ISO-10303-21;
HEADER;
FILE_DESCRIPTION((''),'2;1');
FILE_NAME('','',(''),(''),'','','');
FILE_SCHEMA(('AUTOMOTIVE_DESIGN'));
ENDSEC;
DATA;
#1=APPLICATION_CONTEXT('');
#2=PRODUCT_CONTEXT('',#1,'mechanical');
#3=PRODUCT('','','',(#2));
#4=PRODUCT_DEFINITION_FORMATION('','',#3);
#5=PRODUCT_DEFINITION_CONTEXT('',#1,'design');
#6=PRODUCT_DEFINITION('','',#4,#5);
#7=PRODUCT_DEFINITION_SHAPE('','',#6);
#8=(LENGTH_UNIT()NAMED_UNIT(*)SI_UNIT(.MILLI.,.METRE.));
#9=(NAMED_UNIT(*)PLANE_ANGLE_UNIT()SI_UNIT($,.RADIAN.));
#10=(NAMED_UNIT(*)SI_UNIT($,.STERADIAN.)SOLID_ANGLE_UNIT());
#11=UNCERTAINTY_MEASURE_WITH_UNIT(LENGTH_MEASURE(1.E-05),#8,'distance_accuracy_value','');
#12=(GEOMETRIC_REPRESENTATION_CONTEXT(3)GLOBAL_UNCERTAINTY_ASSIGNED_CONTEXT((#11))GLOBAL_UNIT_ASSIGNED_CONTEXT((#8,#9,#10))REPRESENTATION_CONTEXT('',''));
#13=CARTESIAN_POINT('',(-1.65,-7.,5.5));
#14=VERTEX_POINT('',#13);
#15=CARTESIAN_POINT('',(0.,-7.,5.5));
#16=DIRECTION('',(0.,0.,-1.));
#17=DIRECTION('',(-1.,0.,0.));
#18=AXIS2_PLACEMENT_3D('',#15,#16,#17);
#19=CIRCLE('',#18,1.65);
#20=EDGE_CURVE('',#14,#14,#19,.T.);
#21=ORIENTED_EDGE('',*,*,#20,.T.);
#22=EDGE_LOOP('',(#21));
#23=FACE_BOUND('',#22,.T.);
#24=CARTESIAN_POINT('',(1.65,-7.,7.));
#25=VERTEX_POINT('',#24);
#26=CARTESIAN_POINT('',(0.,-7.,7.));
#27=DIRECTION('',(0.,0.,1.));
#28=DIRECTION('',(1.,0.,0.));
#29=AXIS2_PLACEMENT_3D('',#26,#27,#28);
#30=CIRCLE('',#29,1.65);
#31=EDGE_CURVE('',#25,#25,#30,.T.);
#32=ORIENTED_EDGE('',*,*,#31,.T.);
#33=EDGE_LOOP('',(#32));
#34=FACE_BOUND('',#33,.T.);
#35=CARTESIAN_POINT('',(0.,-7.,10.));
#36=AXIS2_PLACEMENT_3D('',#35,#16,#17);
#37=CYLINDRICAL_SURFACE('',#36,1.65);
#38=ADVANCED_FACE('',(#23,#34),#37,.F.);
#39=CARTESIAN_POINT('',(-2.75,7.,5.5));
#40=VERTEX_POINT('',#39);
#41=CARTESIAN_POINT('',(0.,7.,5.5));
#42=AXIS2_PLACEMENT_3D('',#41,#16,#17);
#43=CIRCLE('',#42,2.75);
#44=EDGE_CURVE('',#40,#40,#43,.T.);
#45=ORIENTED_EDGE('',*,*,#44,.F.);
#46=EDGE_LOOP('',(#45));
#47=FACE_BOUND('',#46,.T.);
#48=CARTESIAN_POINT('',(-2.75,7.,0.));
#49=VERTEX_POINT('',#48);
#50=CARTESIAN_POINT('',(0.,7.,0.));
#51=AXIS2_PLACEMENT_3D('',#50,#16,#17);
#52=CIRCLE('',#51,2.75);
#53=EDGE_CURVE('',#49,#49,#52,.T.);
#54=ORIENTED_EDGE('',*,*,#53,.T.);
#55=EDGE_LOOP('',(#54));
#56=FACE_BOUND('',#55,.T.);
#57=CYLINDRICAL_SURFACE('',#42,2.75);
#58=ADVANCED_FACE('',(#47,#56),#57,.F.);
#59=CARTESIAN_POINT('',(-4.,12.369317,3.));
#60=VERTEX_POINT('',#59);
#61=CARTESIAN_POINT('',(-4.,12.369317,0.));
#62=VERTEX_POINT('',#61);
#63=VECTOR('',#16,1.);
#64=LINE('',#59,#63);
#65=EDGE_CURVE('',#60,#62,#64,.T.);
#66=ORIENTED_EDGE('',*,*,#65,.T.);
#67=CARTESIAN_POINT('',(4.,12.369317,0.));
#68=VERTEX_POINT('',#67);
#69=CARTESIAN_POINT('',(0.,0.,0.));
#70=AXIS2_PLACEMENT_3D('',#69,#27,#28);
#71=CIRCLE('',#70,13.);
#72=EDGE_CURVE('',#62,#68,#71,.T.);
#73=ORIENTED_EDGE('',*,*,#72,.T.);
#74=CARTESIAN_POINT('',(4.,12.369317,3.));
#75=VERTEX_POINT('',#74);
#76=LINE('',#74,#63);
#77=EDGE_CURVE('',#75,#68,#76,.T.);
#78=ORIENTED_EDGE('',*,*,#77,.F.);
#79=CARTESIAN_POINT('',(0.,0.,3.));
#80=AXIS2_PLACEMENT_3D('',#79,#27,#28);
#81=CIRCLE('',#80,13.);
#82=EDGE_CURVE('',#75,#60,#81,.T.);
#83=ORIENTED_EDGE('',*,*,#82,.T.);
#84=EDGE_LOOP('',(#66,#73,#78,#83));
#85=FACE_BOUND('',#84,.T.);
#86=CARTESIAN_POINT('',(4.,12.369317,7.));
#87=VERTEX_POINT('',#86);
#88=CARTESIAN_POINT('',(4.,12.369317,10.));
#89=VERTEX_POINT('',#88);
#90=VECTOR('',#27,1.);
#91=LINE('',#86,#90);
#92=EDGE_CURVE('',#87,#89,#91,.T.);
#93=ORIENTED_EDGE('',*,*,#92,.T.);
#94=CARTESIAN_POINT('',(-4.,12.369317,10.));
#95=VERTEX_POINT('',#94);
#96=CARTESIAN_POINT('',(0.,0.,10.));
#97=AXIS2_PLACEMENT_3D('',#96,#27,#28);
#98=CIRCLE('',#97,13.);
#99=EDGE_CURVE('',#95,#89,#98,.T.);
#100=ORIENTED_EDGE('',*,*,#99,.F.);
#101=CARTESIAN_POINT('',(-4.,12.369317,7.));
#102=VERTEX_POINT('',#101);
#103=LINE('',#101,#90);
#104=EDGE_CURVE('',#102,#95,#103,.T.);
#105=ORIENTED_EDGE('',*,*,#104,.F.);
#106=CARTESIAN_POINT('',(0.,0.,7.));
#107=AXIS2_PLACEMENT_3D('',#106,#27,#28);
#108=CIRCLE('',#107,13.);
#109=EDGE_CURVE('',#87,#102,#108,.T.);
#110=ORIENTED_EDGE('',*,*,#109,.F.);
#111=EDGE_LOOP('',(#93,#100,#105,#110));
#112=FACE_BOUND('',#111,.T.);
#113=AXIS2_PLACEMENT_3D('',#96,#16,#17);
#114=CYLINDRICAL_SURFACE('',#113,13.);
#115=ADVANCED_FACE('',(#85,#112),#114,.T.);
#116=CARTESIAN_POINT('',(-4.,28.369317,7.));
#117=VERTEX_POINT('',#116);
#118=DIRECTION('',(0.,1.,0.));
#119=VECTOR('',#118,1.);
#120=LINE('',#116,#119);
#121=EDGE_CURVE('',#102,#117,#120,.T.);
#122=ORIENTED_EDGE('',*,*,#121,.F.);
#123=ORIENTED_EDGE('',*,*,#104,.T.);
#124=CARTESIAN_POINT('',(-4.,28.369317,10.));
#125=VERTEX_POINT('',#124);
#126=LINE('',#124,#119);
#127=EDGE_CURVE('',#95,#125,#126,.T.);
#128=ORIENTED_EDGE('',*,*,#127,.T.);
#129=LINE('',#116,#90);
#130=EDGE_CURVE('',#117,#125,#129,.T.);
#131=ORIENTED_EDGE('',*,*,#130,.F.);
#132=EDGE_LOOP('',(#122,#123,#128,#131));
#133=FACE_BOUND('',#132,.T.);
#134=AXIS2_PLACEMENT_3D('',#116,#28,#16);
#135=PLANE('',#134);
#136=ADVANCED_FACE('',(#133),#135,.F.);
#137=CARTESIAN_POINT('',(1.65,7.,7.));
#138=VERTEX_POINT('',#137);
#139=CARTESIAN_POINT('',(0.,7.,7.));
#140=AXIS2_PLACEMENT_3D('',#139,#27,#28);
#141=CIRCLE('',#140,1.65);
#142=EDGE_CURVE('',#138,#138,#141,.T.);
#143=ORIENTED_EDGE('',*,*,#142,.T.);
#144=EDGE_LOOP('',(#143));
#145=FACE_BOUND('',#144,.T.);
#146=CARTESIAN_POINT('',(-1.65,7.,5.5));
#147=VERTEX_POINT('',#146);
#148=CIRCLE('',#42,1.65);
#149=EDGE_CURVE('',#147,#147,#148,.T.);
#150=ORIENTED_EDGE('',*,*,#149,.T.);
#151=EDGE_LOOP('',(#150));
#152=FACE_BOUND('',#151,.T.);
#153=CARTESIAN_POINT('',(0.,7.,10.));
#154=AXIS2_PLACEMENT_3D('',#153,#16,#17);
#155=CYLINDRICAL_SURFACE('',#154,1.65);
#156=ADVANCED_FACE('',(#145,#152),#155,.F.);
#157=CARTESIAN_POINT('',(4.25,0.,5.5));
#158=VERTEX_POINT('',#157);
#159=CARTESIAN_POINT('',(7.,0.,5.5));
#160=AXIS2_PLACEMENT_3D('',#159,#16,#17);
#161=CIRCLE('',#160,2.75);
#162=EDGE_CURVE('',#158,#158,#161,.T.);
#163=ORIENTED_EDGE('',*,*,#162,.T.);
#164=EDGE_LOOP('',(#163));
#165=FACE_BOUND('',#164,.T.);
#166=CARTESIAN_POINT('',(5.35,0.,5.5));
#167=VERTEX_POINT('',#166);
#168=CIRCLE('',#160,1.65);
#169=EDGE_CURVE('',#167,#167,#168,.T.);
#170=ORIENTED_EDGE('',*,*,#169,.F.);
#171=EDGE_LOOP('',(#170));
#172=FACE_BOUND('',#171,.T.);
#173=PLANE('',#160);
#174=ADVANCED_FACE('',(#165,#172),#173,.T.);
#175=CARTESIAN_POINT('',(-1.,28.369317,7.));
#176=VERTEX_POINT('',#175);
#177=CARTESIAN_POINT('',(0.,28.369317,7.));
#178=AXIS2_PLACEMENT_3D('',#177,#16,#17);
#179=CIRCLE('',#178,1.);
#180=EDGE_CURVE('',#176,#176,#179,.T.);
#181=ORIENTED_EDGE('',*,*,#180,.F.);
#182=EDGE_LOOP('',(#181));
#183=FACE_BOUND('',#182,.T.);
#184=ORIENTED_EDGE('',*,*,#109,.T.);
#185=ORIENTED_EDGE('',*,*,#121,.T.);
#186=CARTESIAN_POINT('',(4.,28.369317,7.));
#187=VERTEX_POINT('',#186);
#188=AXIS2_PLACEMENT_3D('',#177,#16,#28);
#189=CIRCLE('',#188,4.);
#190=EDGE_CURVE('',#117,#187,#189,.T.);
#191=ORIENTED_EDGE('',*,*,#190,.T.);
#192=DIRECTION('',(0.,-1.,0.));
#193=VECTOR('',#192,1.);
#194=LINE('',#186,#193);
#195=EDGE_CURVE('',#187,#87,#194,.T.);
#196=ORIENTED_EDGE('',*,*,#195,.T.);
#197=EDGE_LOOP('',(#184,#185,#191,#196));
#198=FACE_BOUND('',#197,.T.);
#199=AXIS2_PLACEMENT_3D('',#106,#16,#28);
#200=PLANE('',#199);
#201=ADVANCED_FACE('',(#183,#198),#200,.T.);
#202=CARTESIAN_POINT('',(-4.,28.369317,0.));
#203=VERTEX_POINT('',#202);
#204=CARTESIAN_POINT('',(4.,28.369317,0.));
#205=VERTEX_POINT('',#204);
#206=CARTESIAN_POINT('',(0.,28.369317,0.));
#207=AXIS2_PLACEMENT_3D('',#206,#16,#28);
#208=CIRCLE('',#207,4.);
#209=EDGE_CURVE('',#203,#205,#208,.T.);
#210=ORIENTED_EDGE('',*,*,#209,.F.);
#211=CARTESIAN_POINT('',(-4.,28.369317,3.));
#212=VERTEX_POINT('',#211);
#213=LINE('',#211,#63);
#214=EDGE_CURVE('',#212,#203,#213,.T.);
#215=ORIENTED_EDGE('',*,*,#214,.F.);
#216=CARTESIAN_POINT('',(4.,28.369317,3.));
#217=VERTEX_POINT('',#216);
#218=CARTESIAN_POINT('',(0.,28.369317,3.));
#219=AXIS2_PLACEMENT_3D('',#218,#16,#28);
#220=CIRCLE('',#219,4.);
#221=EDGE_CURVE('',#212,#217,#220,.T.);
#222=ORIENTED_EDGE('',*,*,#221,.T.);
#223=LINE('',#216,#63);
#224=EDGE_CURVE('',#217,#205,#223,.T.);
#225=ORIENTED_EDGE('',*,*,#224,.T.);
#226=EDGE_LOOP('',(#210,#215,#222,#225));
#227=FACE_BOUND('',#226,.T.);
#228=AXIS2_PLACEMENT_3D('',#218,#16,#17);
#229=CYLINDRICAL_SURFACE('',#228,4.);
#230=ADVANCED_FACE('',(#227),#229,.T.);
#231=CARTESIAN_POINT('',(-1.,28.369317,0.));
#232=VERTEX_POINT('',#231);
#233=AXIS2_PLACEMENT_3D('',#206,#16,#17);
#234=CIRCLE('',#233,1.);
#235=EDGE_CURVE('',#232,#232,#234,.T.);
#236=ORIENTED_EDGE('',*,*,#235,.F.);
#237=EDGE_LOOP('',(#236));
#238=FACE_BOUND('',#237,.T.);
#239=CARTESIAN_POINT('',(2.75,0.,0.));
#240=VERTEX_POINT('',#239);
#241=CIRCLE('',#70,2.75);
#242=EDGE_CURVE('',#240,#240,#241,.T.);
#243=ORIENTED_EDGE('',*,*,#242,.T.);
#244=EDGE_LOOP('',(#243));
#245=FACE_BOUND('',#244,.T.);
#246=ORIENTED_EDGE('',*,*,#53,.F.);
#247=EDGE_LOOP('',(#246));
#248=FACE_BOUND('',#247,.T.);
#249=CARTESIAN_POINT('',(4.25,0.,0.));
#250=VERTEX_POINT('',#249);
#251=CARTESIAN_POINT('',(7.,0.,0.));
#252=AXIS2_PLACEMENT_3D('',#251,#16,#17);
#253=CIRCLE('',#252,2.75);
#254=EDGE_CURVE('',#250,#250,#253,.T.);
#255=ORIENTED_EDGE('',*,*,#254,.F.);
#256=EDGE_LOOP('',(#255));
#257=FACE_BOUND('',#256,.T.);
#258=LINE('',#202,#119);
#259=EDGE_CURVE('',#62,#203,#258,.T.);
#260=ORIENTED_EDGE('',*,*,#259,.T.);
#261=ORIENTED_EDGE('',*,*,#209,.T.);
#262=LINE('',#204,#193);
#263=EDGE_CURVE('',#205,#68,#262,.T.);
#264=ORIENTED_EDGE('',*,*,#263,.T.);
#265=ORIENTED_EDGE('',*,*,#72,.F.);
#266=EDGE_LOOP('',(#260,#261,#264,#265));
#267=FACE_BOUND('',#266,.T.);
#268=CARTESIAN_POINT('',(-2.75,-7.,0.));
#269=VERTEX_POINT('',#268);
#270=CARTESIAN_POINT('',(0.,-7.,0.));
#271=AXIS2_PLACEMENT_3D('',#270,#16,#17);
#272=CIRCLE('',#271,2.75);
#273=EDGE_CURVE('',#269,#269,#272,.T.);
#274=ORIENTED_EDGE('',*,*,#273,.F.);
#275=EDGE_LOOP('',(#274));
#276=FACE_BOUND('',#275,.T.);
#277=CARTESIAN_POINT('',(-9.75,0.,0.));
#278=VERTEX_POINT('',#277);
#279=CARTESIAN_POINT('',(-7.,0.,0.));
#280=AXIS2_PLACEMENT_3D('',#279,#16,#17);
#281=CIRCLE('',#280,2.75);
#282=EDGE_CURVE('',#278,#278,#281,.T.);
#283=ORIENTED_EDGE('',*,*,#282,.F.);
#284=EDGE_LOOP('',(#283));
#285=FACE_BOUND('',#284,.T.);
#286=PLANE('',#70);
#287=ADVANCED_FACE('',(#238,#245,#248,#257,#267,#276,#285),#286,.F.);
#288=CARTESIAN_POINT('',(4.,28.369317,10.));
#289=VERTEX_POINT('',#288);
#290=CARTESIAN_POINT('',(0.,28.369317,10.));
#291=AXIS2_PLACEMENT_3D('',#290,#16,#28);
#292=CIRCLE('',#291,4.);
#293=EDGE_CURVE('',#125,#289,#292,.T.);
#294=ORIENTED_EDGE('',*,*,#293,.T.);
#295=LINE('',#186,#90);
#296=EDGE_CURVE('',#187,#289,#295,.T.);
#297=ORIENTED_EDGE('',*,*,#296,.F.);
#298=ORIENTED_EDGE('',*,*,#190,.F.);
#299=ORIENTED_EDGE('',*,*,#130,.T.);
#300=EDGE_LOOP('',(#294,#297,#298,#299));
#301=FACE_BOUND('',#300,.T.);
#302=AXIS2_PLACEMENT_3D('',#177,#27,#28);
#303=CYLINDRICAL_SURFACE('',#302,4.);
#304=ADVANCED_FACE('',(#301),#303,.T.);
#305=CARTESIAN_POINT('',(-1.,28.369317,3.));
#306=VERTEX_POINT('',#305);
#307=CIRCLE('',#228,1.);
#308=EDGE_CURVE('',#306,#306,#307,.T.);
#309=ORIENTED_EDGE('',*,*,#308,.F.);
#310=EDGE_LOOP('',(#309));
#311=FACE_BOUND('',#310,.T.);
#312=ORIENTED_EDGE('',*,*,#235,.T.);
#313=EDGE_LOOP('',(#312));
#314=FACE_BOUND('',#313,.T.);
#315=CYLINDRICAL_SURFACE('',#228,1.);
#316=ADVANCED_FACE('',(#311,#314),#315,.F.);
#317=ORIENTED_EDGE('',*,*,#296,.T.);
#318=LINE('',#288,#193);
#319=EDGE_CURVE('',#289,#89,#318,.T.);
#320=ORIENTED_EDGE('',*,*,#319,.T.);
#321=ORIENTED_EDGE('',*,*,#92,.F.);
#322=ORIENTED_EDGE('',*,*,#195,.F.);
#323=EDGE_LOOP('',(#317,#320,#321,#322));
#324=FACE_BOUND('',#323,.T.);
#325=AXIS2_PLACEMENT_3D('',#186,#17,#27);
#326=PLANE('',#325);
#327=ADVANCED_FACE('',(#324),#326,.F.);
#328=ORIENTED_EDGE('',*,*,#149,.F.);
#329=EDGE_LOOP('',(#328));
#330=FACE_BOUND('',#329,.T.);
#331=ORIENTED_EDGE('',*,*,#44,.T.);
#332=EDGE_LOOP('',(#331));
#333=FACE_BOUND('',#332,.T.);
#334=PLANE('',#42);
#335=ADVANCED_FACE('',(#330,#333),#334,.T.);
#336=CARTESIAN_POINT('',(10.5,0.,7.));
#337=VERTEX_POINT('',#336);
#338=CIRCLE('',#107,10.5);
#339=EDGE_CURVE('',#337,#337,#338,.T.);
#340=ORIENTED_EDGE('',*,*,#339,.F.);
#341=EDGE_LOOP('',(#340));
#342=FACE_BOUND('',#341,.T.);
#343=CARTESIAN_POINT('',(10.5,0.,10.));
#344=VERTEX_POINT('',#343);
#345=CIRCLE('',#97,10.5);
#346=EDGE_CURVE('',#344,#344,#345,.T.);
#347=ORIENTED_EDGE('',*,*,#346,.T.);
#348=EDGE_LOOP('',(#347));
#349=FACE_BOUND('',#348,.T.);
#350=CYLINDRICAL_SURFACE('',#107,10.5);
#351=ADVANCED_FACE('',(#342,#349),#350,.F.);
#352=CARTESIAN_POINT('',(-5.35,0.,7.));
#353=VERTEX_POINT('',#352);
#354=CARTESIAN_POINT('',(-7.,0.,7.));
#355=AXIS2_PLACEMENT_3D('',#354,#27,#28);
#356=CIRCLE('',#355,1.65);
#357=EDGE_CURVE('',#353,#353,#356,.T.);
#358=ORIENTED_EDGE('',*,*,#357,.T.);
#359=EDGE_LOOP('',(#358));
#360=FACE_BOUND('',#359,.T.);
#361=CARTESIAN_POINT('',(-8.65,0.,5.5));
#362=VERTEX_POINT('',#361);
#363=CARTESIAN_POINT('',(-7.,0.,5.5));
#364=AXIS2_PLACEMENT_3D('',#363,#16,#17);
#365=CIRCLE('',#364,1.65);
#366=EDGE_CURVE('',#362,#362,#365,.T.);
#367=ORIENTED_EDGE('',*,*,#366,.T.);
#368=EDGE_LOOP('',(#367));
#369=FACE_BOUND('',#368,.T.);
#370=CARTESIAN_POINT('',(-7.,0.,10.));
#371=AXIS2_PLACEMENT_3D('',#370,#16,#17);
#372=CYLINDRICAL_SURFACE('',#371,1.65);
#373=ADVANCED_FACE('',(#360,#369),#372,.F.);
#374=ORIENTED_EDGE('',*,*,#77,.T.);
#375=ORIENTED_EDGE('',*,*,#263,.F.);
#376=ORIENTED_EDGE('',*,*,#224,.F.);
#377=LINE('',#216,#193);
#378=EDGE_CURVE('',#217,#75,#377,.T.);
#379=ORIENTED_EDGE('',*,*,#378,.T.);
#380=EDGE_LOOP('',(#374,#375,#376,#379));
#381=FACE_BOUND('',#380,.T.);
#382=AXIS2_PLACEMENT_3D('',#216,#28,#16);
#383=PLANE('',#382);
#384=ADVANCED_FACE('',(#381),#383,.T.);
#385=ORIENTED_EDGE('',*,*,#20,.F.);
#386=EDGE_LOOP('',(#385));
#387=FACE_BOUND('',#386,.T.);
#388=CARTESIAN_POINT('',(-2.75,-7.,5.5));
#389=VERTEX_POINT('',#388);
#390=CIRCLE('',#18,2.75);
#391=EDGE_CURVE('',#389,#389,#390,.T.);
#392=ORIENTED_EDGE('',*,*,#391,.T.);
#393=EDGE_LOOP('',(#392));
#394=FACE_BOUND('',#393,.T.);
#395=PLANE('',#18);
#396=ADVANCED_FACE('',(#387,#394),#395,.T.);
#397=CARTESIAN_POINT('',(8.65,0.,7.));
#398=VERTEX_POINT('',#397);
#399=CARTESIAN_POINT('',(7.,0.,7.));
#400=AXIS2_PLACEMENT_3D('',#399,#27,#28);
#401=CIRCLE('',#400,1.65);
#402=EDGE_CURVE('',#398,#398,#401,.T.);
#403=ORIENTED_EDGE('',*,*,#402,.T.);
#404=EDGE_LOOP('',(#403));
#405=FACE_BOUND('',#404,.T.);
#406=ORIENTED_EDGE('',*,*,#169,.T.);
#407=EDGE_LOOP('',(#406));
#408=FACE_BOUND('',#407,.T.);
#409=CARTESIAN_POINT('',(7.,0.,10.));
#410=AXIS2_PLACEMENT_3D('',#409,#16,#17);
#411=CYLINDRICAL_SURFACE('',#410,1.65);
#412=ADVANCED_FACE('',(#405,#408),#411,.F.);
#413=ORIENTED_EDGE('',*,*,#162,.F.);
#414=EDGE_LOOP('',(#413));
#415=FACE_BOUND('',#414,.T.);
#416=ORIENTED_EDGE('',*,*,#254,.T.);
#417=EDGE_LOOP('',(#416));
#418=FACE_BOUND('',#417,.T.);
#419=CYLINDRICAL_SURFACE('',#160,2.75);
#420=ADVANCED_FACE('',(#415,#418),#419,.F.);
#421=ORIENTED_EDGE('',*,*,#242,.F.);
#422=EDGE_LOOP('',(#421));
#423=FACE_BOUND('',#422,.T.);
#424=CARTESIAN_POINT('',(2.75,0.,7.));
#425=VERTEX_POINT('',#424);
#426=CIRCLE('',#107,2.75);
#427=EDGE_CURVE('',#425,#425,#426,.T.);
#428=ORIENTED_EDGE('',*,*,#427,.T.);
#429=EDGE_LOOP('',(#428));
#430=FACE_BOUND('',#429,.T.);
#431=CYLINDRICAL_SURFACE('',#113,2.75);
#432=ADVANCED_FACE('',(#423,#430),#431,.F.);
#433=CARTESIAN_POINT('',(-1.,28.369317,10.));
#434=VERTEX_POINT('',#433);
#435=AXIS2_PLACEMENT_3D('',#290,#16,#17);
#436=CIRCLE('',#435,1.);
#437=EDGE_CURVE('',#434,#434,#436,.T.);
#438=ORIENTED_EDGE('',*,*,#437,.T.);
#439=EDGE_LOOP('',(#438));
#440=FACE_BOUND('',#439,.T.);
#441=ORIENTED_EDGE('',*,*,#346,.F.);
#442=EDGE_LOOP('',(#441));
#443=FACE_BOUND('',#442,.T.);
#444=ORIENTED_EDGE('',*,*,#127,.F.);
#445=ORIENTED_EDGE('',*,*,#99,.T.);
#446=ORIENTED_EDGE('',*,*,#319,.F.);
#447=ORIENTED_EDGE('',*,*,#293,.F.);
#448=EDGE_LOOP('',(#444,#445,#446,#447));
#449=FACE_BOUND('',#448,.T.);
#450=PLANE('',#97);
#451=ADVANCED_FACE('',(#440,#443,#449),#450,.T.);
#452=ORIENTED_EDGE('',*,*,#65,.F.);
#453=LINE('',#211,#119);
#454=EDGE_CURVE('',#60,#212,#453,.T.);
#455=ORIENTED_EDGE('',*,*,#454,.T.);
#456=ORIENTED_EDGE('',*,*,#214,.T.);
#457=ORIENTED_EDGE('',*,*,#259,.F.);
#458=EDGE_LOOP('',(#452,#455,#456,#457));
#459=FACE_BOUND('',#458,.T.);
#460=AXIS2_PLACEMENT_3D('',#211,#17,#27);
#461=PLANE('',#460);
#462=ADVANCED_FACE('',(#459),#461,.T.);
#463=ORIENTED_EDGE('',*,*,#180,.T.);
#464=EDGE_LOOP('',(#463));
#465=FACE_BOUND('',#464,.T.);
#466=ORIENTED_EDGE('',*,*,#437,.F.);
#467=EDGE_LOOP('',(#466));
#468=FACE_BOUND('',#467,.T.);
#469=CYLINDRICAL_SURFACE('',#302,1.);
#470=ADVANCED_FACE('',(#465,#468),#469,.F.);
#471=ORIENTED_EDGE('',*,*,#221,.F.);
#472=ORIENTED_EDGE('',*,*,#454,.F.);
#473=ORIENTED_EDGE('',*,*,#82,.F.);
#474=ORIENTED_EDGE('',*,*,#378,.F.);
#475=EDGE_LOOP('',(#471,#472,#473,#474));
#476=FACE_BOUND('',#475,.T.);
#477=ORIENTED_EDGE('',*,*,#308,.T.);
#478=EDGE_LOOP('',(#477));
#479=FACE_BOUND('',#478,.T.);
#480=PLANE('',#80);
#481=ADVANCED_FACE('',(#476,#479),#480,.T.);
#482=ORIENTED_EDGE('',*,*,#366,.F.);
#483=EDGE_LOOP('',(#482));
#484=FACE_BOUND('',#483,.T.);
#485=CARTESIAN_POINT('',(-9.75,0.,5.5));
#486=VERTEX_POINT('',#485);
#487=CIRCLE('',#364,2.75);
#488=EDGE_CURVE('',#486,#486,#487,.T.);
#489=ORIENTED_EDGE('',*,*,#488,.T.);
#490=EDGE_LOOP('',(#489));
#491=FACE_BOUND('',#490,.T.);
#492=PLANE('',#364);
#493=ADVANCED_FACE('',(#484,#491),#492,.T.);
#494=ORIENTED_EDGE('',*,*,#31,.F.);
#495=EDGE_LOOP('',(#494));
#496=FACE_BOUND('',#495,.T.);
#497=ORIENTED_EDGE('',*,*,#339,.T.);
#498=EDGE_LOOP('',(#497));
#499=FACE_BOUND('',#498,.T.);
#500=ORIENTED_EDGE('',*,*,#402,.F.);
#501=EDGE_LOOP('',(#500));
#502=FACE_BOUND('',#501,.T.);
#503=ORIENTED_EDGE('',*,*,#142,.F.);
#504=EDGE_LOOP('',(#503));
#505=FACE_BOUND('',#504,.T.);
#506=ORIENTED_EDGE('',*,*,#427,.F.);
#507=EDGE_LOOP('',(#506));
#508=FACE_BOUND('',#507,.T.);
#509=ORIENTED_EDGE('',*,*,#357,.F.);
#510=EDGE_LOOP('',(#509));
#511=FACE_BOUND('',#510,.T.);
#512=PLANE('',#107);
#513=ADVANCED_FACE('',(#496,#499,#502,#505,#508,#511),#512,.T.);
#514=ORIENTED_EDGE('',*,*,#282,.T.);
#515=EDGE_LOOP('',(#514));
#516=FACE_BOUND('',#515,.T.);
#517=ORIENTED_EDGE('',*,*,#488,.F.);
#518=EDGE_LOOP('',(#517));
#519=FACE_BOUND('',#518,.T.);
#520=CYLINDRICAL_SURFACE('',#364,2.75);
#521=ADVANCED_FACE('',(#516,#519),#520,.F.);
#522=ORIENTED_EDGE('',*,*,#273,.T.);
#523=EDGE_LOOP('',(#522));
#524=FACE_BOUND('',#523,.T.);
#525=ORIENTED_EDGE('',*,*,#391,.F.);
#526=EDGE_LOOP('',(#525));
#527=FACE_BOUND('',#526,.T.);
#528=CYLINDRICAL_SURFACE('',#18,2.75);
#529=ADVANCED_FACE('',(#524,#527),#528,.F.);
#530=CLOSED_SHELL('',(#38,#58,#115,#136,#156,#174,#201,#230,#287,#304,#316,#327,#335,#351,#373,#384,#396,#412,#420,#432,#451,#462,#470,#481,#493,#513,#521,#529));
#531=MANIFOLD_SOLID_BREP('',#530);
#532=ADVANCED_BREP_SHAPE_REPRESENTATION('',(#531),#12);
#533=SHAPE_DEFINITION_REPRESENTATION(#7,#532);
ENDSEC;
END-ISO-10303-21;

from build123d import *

# Parameters (mm, degrees)
ESQUISSE1_R             = 13
ESQUISSE1_R_2           = 2.75
ESQUISSE1_R_3           = 1.65
BOSS_EXTRU_1_DEPTH      = 10
ESQUISSE2_R             = 10.5
ENL_V_MAT_EXTRU_1_DEPTH = 3
ESQUISSE3_R             = 2.75
ENL_V_MAT_EXTRU_2_DEPTH = 5.5
ESQUISSE4_R             = 1
BOSS_EXTRU_2_DEPTH      = 3


with BuildPart() as part:
    # Esquisse1 → Boss.-Extru.1 (new body)
    with BuildSketch(Plane.XY):
        Circle(ESQUISSE1_R)
        Circle(ESQUISSE1_R_2, mode=Mode.SUBTRACT)
        with Locations((-7, 0)):
            Circle(ESQUISSE1_R_3, mode=Mode.SUBTRACT)
        with Locations((0, 7)):
            Circle(ESQUISSE1_R_3, mode=Mode.SUBTRACT)
        with Locations((7, 0)):
            Circle(ESQUISSE1_R_3, mode=Mode.SUBTRACT)
        with Locations((0, -7)):
            Circle(ESQUISSE1_R_3, mode=Mode.SUBTRACT)
    extrude(amount=BOSS_EXTRU_1_DEPTH)

    # Esquisse2 → Enlèv. mat.-Extru.1 (cut)
    with BuildSketch(Plane.XY.offset(10)):
        Circle(ESQUISSE2_R)
    extrude(amount=-ENL_V_MAT_EXTRU_1_DEPTH, mode=Mode.SUBTRACT)

    # Esquisse3 → Enlèv. mat.-Extru.2 (cut)
    with BuildSketch(Plane(origin=(0, 0, 0), x_dir=(-1, 0, 0), z_dir=(0, 0, -1))):
        with Locations((-7, 0)):
            Circle(ESQUISSE3_R)
        with Locations((0, 7)):
            Circle(ESQUISSE3_R)
        with Locations((7, 0)):
            Circle(ESQUISSE3_R)
        with Locations((0, -7)):
            Circle(ESQUISSE3_R)
    extrude(amount=-ENL_V_MAT_EXTRU_2_DEPTH, mode=Mode.SUBTRACT)

    # Esquisse4 → Boss.-Extru.2 (add)
    with BuildSketch(Plane(origin=(0, 0, 0), x_dir=(-1, 0, 0), z_dir=(0, 0, -1))):
        with BuildLine():
            Line((-4, 28.369316877), (-4, 12.369316877))
            ThreePointArc((-4, 12.369316877), (0, 13), (4, 12.369316877))
            Line((4, 12.369316877), (4, 28.369316877))
            ThreePointArc((4, 28.369316877), (0, 32.369316877), (-4, 28.369316877))
        make_face()
        with Locations((0, 28.369316877)):
            Circle(ESQUISSE4_R, mode=Mode.SUBTRACT)
    boss_extru_2 = extrude(amount=-BOSS_EXTRU_2_DEPTH)

    # Symétrie1: Boss.-Extru.2 across plane
    add(boss_extru_2.mirror(Plane.XY.offset(5)))


solid = part.part
